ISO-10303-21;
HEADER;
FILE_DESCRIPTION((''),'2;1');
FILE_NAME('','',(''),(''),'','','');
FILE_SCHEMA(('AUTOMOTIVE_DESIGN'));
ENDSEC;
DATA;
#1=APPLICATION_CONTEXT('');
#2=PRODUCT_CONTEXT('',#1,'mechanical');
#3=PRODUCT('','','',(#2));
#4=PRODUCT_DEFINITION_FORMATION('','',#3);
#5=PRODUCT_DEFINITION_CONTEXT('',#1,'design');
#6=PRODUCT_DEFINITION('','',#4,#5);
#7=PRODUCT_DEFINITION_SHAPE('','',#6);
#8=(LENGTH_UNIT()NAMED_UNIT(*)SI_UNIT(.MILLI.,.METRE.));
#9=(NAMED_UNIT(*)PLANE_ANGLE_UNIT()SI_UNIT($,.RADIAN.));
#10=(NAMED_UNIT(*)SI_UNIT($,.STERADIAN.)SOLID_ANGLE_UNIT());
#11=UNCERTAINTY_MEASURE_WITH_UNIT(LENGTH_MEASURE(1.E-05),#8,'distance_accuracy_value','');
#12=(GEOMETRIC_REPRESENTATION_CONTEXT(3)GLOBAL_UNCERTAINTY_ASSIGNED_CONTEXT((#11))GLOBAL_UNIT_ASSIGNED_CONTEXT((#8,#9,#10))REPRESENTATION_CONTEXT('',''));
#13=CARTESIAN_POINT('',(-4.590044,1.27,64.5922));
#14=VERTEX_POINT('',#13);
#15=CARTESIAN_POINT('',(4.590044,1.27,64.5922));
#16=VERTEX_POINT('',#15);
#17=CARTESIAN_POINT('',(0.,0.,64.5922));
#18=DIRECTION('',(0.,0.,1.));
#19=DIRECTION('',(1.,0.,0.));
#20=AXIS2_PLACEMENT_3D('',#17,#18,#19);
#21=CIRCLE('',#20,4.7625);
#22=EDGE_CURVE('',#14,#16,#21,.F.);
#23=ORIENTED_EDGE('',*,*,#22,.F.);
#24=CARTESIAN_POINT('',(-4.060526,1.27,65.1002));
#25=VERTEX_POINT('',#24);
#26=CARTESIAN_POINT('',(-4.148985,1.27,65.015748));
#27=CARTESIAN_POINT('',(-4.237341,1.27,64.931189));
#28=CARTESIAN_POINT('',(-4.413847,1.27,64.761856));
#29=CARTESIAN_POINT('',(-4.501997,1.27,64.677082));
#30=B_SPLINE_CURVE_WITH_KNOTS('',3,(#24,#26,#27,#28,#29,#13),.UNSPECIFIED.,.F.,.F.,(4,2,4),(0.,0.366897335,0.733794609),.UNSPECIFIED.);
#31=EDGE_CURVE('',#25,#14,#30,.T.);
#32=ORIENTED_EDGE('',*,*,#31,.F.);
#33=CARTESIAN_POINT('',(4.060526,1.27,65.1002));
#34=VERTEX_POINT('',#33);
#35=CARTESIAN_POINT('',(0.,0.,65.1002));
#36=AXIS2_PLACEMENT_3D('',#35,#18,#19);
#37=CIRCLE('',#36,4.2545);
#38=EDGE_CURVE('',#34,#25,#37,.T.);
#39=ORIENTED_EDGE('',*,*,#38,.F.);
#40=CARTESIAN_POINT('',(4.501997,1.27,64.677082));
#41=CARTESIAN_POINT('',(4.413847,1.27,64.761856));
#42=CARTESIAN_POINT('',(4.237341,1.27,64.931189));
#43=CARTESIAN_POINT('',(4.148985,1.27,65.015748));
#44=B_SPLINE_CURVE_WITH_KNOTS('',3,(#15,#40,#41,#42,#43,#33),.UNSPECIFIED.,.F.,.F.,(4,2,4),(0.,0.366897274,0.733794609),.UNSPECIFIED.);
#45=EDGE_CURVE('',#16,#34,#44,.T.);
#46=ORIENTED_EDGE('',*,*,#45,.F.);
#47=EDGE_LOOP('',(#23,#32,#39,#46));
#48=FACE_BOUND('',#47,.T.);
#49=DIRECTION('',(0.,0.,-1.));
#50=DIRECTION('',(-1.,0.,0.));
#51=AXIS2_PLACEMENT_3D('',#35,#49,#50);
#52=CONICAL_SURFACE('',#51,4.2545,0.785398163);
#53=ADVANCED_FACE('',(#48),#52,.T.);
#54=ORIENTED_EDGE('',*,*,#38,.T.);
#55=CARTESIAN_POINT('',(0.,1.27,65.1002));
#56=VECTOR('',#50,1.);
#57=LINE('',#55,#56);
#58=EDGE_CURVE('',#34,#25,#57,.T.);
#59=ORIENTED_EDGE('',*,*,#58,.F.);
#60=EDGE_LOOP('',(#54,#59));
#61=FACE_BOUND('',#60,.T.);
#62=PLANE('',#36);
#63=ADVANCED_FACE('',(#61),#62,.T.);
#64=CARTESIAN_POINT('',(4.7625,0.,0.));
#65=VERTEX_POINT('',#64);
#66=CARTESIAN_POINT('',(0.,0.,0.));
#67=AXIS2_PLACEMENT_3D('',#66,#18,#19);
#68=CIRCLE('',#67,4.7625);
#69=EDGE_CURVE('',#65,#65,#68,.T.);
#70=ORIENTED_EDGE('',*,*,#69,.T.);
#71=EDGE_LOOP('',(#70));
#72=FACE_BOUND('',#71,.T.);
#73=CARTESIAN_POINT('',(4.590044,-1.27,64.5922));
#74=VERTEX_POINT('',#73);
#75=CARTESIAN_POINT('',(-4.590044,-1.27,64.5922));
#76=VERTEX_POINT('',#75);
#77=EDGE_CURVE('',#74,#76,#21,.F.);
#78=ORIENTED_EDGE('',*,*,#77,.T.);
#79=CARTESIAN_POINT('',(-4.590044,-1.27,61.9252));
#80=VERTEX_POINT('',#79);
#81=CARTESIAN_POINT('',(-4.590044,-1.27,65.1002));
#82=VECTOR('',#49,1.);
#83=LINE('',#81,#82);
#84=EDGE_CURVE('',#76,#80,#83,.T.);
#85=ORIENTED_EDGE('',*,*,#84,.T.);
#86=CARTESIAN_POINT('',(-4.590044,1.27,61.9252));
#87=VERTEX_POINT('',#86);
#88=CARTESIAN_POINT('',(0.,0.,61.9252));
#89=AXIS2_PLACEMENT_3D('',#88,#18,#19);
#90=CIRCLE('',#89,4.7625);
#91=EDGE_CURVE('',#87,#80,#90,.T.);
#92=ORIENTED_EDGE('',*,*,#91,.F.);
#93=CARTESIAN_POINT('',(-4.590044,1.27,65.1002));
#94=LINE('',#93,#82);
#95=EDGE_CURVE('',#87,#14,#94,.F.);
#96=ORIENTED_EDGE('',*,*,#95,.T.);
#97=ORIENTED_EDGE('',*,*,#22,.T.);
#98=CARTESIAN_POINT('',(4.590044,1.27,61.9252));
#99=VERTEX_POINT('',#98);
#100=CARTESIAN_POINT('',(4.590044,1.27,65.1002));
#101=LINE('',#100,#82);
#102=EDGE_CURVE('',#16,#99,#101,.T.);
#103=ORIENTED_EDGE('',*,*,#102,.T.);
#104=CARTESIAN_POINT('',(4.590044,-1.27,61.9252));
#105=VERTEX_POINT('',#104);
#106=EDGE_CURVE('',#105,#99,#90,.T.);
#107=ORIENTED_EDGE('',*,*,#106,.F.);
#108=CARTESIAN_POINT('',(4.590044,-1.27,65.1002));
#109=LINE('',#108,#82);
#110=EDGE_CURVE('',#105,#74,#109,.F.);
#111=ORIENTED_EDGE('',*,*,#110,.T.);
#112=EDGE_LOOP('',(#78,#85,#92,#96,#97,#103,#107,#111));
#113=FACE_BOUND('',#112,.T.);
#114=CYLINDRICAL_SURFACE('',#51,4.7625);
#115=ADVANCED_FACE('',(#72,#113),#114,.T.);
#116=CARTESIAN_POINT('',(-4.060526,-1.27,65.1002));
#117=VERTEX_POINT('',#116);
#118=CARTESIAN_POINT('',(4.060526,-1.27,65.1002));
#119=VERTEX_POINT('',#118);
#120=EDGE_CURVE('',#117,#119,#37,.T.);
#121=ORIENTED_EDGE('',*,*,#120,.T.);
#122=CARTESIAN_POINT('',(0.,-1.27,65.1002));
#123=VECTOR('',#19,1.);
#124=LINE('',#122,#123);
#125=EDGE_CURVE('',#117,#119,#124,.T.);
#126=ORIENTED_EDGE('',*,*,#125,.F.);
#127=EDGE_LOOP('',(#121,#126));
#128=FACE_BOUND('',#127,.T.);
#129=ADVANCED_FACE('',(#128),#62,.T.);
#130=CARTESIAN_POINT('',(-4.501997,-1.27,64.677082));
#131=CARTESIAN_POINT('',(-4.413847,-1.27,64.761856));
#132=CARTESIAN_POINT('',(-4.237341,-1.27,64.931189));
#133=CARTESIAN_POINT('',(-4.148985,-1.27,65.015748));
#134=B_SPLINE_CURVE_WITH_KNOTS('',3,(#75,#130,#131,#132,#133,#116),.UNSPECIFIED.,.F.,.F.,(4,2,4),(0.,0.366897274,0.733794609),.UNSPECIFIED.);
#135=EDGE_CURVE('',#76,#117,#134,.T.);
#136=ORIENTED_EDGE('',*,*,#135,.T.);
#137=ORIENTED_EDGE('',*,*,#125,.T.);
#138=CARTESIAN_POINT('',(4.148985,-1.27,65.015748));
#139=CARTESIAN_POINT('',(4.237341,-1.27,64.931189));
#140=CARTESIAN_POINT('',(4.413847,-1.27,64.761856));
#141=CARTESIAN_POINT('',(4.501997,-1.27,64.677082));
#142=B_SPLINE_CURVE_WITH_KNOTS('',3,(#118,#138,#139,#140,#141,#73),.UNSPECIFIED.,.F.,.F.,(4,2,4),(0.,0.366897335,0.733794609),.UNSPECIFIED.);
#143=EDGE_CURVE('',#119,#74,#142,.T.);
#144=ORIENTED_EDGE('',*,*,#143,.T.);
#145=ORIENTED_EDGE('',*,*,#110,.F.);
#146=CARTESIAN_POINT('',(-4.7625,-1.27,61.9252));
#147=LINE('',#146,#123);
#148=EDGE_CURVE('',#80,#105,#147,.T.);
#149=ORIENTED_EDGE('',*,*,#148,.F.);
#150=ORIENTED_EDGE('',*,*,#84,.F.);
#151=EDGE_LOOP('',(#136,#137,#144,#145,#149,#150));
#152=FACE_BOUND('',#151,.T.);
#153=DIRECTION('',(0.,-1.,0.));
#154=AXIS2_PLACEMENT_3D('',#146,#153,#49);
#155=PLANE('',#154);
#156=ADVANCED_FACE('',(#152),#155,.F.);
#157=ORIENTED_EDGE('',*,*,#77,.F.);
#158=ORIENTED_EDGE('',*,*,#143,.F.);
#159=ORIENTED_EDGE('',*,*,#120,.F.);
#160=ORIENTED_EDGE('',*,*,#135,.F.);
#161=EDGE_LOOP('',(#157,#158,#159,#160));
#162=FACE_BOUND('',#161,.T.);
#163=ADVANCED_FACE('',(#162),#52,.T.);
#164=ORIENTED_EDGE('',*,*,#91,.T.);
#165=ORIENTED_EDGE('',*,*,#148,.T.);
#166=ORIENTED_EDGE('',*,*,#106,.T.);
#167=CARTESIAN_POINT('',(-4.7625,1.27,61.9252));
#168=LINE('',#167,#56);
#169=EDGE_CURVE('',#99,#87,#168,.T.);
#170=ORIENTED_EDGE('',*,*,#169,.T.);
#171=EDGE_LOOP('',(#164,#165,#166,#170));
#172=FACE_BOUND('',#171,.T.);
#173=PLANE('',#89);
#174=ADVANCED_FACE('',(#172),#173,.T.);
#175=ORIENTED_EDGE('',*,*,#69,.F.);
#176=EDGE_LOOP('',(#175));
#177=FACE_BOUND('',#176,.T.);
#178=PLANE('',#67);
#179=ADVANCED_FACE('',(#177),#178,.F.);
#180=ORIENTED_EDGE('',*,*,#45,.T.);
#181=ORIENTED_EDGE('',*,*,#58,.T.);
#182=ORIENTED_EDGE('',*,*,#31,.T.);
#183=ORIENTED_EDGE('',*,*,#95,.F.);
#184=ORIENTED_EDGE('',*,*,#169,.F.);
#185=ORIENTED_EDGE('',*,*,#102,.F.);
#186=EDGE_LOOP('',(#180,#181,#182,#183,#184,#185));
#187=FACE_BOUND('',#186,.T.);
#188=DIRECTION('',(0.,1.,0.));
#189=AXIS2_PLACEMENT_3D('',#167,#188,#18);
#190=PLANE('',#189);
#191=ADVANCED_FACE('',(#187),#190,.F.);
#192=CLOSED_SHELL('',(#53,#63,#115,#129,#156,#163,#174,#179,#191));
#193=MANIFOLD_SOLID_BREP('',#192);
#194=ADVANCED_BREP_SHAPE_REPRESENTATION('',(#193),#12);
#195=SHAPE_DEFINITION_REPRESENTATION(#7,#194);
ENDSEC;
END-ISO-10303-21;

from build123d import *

# Parameters (mm, degrees)
SKETCH1_R           = 4.7625
BOSS_EXTRUDE1_DEPTH = 65.1002
SKETCH2_W           = 9.525
SKETCH2_H           = 2.54
CUT_EXTRUDE1_DEPTH  = 3.175
CHAMFER1_SIZE       = 0.508


with BuildPart() as part:
    # Sketch1 → Boss-Extrude1 (new body)
    with BuildSketch(Plane.XY):
        Circle(SKETCH1_R)
    extrude(amount=BOSS_EXTRUDE1_DEPTH)

    # Sketch2 → Cut-Extrude1 (cut)
    with BuildSketch(Plane.XY.offset(65.1002)):
        Rectangle(SKETCH2_W, SKETCH2_H)
    extrude(amount=-CUT_EXTRUDE1_DEPTH, mode=Mode.SUBTRACT)

    # Chamfer1
    chamfer1_edges = [part.edges().sort_by_distance(p)[0] for p in [
        (0, 4.7625, 65.1002),
        (0, -4.7625, 65.1002),
    ]]
    chamfer(chamfer1_edges, length=CHAMFER1_SIZE)


solid = part.part
